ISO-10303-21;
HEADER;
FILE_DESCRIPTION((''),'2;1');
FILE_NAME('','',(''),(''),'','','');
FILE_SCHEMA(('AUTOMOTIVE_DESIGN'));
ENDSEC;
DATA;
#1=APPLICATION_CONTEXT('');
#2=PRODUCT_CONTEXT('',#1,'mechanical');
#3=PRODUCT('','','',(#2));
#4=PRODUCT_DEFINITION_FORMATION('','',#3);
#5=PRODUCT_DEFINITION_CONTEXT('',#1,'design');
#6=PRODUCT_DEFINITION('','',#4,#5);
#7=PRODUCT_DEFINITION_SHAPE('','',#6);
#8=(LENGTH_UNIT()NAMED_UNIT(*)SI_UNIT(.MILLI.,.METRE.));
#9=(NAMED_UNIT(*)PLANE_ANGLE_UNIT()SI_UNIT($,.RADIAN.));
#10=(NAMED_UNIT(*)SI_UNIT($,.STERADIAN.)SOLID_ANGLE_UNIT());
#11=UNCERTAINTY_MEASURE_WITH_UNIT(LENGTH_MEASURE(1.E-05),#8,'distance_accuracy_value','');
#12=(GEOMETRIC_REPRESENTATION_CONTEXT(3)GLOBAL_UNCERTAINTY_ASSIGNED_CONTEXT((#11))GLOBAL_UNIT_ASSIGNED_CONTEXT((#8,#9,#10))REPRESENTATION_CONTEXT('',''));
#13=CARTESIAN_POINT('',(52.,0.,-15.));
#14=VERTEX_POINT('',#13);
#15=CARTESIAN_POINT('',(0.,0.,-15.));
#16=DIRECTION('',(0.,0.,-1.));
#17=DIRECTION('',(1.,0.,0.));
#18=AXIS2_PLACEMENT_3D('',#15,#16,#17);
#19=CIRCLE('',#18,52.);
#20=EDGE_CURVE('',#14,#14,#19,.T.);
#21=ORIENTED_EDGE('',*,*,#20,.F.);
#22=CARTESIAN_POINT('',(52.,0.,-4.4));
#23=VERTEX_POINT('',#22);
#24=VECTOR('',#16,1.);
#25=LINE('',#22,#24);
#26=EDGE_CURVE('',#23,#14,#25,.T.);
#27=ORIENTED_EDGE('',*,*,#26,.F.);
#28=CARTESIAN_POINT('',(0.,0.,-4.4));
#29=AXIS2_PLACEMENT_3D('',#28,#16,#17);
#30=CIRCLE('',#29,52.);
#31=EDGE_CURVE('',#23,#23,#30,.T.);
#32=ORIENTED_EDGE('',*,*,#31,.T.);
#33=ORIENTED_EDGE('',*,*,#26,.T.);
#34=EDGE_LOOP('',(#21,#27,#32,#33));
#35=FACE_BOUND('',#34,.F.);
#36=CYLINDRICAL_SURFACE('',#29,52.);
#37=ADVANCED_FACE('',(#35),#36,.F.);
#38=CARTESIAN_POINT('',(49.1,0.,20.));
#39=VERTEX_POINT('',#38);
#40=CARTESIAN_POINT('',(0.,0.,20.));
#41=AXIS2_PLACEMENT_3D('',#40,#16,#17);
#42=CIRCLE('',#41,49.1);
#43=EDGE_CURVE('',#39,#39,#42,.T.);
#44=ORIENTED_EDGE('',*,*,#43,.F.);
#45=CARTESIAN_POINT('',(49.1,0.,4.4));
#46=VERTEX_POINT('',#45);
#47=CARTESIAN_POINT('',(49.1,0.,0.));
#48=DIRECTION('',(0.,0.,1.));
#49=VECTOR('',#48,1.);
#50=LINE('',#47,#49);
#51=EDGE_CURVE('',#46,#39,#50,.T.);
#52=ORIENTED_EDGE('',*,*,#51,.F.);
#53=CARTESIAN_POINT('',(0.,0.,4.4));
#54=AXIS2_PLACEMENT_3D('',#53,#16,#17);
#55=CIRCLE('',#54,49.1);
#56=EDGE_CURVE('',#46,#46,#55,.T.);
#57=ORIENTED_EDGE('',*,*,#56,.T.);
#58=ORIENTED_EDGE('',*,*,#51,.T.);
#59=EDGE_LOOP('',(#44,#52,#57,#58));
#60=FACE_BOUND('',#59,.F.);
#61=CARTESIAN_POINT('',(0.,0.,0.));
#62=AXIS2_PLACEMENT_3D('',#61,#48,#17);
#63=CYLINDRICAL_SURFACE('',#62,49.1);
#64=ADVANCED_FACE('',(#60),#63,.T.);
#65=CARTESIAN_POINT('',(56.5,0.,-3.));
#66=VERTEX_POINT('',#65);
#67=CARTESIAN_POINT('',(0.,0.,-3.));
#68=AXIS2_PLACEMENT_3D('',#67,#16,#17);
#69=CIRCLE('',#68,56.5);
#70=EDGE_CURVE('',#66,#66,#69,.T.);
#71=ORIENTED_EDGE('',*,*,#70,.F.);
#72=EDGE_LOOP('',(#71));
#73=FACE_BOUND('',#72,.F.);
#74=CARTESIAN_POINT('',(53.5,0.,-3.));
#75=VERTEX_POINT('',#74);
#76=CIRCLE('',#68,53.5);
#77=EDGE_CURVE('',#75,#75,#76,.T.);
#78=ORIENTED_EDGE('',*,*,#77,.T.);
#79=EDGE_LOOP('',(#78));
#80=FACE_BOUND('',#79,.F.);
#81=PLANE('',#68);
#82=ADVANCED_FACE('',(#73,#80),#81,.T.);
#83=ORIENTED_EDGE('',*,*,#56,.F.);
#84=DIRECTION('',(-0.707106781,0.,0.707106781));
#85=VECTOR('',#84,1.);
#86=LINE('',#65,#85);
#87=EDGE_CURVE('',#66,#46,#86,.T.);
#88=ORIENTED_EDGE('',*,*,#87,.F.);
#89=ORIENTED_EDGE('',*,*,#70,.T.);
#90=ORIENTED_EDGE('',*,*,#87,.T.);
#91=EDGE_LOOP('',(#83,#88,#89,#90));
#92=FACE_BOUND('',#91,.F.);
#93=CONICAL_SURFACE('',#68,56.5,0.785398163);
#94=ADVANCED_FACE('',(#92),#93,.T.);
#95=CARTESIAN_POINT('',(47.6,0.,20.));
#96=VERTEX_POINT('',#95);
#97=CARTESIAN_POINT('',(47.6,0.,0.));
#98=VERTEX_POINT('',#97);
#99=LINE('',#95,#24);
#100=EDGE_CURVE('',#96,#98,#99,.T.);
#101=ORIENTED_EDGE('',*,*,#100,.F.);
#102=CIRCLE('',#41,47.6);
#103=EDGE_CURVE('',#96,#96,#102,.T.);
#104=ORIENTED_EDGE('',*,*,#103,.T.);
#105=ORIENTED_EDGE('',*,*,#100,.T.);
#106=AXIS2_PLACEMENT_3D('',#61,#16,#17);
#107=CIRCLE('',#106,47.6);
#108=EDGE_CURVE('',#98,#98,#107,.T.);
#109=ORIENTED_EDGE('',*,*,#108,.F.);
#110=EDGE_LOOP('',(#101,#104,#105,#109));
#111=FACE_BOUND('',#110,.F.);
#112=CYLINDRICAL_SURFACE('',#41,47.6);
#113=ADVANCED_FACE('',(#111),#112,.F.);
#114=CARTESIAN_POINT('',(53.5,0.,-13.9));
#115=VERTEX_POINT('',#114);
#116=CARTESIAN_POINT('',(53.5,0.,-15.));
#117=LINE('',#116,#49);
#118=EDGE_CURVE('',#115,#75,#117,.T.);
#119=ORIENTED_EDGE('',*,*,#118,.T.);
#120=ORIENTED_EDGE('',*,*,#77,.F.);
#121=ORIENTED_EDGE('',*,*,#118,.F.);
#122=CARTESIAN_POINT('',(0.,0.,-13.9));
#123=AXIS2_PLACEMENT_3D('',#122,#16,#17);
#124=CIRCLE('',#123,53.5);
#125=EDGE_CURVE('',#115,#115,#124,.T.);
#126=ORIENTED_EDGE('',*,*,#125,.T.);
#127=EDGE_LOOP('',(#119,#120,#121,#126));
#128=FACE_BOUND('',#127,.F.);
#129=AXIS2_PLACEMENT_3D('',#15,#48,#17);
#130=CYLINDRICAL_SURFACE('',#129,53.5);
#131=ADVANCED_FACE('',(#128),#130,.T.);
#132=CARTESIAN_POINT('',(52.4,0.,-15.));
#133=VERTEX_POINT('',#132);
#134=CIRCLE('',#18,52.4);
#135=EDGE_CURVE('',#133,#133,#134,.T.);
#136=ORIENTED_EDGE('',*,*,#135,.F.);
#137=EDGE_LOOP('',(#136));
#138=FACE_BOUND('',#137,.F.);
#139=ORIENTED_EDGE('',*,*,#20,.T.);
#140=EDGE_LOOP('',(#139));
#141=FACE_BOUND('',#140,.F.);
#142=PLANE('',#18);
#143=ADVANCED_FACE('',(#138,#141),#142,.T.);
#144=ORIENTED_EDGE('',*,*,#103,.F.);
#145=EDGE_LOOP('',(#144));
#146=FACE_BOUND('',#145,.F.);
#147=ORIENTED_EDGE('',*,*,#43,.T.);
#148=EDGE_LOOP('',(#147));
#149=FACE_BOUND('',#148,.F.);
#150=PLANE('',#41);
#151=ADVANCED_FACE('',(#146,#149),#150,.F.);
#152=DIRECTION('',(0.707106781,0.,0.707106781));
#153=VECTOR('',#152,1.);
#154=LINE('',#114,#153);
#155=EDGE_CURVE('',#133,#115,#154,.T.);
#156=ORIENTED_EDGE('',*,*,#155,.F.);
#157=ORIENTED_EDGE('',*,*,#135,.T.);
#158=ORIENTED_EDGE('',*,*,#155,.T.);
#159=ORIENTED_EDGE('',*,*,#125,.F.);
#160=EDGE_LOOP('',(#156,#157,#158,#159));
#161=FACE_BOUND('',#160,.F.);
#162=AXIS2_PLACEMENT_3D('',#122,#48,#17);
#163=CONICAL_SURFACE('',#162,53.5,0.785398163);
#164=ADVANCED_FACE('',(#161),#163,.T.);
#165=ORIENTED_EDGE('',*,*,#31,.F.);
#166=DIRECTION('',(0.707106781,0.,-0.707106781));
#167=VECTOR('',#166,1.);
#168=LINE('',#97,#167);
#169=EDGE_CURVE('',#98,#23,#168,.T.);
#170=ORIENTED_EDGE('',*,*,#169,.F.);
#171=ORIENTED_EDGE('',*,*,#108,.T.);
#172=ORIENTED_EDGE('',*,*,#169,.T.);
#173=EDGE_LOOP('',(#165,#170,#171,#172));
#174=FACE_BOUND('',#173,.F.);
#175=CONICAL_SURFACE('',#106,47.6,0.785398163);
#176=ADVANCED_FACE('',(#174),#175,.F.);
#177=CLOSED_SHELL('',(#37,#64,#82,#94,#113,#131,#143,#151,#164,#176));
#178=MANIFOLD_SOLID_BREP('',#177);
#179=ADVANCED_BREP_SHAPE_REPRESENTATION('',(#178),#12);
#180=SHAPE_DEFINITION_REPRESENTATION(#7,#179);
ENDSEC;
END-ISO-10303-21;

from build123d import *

# Parameters (mm, degrees)
F2_SIZE = 1.1


with BuildPart() as f1:
    # F0 (on Front) → F1 (revolve)
    with BuildSketch(Plane.XZ):
        Polygon((49.1, 20), (47.6, 20), (47.6, 0), (49.1, 0), (49.1, 4.4), align=None)
        Polygon((56.5, -3), (53.5, 0), (53.5, -3), align=None)
        Polygon((49.1, 0), (47.6, 0), (52, -4.4), (52, 0), (53.5, 0), (49.1, 4.4), align=None)
        Polygon((52, 0), (52, -4.4), (52, -15), (53.5, -15), (53.5, -3), (53.5, 0), align=None)
    revolve(axis=Axis((0, 0, -0.175409), (0, 0, -1)))

    # F2
    f2_edges = [f1.edges().sort_by_distance(p)[0] for p in [
        (-53.5, 0, -15),
    ]]
    chamfer(f2_edges, length=F2_SIZE)


solid = f1.part
